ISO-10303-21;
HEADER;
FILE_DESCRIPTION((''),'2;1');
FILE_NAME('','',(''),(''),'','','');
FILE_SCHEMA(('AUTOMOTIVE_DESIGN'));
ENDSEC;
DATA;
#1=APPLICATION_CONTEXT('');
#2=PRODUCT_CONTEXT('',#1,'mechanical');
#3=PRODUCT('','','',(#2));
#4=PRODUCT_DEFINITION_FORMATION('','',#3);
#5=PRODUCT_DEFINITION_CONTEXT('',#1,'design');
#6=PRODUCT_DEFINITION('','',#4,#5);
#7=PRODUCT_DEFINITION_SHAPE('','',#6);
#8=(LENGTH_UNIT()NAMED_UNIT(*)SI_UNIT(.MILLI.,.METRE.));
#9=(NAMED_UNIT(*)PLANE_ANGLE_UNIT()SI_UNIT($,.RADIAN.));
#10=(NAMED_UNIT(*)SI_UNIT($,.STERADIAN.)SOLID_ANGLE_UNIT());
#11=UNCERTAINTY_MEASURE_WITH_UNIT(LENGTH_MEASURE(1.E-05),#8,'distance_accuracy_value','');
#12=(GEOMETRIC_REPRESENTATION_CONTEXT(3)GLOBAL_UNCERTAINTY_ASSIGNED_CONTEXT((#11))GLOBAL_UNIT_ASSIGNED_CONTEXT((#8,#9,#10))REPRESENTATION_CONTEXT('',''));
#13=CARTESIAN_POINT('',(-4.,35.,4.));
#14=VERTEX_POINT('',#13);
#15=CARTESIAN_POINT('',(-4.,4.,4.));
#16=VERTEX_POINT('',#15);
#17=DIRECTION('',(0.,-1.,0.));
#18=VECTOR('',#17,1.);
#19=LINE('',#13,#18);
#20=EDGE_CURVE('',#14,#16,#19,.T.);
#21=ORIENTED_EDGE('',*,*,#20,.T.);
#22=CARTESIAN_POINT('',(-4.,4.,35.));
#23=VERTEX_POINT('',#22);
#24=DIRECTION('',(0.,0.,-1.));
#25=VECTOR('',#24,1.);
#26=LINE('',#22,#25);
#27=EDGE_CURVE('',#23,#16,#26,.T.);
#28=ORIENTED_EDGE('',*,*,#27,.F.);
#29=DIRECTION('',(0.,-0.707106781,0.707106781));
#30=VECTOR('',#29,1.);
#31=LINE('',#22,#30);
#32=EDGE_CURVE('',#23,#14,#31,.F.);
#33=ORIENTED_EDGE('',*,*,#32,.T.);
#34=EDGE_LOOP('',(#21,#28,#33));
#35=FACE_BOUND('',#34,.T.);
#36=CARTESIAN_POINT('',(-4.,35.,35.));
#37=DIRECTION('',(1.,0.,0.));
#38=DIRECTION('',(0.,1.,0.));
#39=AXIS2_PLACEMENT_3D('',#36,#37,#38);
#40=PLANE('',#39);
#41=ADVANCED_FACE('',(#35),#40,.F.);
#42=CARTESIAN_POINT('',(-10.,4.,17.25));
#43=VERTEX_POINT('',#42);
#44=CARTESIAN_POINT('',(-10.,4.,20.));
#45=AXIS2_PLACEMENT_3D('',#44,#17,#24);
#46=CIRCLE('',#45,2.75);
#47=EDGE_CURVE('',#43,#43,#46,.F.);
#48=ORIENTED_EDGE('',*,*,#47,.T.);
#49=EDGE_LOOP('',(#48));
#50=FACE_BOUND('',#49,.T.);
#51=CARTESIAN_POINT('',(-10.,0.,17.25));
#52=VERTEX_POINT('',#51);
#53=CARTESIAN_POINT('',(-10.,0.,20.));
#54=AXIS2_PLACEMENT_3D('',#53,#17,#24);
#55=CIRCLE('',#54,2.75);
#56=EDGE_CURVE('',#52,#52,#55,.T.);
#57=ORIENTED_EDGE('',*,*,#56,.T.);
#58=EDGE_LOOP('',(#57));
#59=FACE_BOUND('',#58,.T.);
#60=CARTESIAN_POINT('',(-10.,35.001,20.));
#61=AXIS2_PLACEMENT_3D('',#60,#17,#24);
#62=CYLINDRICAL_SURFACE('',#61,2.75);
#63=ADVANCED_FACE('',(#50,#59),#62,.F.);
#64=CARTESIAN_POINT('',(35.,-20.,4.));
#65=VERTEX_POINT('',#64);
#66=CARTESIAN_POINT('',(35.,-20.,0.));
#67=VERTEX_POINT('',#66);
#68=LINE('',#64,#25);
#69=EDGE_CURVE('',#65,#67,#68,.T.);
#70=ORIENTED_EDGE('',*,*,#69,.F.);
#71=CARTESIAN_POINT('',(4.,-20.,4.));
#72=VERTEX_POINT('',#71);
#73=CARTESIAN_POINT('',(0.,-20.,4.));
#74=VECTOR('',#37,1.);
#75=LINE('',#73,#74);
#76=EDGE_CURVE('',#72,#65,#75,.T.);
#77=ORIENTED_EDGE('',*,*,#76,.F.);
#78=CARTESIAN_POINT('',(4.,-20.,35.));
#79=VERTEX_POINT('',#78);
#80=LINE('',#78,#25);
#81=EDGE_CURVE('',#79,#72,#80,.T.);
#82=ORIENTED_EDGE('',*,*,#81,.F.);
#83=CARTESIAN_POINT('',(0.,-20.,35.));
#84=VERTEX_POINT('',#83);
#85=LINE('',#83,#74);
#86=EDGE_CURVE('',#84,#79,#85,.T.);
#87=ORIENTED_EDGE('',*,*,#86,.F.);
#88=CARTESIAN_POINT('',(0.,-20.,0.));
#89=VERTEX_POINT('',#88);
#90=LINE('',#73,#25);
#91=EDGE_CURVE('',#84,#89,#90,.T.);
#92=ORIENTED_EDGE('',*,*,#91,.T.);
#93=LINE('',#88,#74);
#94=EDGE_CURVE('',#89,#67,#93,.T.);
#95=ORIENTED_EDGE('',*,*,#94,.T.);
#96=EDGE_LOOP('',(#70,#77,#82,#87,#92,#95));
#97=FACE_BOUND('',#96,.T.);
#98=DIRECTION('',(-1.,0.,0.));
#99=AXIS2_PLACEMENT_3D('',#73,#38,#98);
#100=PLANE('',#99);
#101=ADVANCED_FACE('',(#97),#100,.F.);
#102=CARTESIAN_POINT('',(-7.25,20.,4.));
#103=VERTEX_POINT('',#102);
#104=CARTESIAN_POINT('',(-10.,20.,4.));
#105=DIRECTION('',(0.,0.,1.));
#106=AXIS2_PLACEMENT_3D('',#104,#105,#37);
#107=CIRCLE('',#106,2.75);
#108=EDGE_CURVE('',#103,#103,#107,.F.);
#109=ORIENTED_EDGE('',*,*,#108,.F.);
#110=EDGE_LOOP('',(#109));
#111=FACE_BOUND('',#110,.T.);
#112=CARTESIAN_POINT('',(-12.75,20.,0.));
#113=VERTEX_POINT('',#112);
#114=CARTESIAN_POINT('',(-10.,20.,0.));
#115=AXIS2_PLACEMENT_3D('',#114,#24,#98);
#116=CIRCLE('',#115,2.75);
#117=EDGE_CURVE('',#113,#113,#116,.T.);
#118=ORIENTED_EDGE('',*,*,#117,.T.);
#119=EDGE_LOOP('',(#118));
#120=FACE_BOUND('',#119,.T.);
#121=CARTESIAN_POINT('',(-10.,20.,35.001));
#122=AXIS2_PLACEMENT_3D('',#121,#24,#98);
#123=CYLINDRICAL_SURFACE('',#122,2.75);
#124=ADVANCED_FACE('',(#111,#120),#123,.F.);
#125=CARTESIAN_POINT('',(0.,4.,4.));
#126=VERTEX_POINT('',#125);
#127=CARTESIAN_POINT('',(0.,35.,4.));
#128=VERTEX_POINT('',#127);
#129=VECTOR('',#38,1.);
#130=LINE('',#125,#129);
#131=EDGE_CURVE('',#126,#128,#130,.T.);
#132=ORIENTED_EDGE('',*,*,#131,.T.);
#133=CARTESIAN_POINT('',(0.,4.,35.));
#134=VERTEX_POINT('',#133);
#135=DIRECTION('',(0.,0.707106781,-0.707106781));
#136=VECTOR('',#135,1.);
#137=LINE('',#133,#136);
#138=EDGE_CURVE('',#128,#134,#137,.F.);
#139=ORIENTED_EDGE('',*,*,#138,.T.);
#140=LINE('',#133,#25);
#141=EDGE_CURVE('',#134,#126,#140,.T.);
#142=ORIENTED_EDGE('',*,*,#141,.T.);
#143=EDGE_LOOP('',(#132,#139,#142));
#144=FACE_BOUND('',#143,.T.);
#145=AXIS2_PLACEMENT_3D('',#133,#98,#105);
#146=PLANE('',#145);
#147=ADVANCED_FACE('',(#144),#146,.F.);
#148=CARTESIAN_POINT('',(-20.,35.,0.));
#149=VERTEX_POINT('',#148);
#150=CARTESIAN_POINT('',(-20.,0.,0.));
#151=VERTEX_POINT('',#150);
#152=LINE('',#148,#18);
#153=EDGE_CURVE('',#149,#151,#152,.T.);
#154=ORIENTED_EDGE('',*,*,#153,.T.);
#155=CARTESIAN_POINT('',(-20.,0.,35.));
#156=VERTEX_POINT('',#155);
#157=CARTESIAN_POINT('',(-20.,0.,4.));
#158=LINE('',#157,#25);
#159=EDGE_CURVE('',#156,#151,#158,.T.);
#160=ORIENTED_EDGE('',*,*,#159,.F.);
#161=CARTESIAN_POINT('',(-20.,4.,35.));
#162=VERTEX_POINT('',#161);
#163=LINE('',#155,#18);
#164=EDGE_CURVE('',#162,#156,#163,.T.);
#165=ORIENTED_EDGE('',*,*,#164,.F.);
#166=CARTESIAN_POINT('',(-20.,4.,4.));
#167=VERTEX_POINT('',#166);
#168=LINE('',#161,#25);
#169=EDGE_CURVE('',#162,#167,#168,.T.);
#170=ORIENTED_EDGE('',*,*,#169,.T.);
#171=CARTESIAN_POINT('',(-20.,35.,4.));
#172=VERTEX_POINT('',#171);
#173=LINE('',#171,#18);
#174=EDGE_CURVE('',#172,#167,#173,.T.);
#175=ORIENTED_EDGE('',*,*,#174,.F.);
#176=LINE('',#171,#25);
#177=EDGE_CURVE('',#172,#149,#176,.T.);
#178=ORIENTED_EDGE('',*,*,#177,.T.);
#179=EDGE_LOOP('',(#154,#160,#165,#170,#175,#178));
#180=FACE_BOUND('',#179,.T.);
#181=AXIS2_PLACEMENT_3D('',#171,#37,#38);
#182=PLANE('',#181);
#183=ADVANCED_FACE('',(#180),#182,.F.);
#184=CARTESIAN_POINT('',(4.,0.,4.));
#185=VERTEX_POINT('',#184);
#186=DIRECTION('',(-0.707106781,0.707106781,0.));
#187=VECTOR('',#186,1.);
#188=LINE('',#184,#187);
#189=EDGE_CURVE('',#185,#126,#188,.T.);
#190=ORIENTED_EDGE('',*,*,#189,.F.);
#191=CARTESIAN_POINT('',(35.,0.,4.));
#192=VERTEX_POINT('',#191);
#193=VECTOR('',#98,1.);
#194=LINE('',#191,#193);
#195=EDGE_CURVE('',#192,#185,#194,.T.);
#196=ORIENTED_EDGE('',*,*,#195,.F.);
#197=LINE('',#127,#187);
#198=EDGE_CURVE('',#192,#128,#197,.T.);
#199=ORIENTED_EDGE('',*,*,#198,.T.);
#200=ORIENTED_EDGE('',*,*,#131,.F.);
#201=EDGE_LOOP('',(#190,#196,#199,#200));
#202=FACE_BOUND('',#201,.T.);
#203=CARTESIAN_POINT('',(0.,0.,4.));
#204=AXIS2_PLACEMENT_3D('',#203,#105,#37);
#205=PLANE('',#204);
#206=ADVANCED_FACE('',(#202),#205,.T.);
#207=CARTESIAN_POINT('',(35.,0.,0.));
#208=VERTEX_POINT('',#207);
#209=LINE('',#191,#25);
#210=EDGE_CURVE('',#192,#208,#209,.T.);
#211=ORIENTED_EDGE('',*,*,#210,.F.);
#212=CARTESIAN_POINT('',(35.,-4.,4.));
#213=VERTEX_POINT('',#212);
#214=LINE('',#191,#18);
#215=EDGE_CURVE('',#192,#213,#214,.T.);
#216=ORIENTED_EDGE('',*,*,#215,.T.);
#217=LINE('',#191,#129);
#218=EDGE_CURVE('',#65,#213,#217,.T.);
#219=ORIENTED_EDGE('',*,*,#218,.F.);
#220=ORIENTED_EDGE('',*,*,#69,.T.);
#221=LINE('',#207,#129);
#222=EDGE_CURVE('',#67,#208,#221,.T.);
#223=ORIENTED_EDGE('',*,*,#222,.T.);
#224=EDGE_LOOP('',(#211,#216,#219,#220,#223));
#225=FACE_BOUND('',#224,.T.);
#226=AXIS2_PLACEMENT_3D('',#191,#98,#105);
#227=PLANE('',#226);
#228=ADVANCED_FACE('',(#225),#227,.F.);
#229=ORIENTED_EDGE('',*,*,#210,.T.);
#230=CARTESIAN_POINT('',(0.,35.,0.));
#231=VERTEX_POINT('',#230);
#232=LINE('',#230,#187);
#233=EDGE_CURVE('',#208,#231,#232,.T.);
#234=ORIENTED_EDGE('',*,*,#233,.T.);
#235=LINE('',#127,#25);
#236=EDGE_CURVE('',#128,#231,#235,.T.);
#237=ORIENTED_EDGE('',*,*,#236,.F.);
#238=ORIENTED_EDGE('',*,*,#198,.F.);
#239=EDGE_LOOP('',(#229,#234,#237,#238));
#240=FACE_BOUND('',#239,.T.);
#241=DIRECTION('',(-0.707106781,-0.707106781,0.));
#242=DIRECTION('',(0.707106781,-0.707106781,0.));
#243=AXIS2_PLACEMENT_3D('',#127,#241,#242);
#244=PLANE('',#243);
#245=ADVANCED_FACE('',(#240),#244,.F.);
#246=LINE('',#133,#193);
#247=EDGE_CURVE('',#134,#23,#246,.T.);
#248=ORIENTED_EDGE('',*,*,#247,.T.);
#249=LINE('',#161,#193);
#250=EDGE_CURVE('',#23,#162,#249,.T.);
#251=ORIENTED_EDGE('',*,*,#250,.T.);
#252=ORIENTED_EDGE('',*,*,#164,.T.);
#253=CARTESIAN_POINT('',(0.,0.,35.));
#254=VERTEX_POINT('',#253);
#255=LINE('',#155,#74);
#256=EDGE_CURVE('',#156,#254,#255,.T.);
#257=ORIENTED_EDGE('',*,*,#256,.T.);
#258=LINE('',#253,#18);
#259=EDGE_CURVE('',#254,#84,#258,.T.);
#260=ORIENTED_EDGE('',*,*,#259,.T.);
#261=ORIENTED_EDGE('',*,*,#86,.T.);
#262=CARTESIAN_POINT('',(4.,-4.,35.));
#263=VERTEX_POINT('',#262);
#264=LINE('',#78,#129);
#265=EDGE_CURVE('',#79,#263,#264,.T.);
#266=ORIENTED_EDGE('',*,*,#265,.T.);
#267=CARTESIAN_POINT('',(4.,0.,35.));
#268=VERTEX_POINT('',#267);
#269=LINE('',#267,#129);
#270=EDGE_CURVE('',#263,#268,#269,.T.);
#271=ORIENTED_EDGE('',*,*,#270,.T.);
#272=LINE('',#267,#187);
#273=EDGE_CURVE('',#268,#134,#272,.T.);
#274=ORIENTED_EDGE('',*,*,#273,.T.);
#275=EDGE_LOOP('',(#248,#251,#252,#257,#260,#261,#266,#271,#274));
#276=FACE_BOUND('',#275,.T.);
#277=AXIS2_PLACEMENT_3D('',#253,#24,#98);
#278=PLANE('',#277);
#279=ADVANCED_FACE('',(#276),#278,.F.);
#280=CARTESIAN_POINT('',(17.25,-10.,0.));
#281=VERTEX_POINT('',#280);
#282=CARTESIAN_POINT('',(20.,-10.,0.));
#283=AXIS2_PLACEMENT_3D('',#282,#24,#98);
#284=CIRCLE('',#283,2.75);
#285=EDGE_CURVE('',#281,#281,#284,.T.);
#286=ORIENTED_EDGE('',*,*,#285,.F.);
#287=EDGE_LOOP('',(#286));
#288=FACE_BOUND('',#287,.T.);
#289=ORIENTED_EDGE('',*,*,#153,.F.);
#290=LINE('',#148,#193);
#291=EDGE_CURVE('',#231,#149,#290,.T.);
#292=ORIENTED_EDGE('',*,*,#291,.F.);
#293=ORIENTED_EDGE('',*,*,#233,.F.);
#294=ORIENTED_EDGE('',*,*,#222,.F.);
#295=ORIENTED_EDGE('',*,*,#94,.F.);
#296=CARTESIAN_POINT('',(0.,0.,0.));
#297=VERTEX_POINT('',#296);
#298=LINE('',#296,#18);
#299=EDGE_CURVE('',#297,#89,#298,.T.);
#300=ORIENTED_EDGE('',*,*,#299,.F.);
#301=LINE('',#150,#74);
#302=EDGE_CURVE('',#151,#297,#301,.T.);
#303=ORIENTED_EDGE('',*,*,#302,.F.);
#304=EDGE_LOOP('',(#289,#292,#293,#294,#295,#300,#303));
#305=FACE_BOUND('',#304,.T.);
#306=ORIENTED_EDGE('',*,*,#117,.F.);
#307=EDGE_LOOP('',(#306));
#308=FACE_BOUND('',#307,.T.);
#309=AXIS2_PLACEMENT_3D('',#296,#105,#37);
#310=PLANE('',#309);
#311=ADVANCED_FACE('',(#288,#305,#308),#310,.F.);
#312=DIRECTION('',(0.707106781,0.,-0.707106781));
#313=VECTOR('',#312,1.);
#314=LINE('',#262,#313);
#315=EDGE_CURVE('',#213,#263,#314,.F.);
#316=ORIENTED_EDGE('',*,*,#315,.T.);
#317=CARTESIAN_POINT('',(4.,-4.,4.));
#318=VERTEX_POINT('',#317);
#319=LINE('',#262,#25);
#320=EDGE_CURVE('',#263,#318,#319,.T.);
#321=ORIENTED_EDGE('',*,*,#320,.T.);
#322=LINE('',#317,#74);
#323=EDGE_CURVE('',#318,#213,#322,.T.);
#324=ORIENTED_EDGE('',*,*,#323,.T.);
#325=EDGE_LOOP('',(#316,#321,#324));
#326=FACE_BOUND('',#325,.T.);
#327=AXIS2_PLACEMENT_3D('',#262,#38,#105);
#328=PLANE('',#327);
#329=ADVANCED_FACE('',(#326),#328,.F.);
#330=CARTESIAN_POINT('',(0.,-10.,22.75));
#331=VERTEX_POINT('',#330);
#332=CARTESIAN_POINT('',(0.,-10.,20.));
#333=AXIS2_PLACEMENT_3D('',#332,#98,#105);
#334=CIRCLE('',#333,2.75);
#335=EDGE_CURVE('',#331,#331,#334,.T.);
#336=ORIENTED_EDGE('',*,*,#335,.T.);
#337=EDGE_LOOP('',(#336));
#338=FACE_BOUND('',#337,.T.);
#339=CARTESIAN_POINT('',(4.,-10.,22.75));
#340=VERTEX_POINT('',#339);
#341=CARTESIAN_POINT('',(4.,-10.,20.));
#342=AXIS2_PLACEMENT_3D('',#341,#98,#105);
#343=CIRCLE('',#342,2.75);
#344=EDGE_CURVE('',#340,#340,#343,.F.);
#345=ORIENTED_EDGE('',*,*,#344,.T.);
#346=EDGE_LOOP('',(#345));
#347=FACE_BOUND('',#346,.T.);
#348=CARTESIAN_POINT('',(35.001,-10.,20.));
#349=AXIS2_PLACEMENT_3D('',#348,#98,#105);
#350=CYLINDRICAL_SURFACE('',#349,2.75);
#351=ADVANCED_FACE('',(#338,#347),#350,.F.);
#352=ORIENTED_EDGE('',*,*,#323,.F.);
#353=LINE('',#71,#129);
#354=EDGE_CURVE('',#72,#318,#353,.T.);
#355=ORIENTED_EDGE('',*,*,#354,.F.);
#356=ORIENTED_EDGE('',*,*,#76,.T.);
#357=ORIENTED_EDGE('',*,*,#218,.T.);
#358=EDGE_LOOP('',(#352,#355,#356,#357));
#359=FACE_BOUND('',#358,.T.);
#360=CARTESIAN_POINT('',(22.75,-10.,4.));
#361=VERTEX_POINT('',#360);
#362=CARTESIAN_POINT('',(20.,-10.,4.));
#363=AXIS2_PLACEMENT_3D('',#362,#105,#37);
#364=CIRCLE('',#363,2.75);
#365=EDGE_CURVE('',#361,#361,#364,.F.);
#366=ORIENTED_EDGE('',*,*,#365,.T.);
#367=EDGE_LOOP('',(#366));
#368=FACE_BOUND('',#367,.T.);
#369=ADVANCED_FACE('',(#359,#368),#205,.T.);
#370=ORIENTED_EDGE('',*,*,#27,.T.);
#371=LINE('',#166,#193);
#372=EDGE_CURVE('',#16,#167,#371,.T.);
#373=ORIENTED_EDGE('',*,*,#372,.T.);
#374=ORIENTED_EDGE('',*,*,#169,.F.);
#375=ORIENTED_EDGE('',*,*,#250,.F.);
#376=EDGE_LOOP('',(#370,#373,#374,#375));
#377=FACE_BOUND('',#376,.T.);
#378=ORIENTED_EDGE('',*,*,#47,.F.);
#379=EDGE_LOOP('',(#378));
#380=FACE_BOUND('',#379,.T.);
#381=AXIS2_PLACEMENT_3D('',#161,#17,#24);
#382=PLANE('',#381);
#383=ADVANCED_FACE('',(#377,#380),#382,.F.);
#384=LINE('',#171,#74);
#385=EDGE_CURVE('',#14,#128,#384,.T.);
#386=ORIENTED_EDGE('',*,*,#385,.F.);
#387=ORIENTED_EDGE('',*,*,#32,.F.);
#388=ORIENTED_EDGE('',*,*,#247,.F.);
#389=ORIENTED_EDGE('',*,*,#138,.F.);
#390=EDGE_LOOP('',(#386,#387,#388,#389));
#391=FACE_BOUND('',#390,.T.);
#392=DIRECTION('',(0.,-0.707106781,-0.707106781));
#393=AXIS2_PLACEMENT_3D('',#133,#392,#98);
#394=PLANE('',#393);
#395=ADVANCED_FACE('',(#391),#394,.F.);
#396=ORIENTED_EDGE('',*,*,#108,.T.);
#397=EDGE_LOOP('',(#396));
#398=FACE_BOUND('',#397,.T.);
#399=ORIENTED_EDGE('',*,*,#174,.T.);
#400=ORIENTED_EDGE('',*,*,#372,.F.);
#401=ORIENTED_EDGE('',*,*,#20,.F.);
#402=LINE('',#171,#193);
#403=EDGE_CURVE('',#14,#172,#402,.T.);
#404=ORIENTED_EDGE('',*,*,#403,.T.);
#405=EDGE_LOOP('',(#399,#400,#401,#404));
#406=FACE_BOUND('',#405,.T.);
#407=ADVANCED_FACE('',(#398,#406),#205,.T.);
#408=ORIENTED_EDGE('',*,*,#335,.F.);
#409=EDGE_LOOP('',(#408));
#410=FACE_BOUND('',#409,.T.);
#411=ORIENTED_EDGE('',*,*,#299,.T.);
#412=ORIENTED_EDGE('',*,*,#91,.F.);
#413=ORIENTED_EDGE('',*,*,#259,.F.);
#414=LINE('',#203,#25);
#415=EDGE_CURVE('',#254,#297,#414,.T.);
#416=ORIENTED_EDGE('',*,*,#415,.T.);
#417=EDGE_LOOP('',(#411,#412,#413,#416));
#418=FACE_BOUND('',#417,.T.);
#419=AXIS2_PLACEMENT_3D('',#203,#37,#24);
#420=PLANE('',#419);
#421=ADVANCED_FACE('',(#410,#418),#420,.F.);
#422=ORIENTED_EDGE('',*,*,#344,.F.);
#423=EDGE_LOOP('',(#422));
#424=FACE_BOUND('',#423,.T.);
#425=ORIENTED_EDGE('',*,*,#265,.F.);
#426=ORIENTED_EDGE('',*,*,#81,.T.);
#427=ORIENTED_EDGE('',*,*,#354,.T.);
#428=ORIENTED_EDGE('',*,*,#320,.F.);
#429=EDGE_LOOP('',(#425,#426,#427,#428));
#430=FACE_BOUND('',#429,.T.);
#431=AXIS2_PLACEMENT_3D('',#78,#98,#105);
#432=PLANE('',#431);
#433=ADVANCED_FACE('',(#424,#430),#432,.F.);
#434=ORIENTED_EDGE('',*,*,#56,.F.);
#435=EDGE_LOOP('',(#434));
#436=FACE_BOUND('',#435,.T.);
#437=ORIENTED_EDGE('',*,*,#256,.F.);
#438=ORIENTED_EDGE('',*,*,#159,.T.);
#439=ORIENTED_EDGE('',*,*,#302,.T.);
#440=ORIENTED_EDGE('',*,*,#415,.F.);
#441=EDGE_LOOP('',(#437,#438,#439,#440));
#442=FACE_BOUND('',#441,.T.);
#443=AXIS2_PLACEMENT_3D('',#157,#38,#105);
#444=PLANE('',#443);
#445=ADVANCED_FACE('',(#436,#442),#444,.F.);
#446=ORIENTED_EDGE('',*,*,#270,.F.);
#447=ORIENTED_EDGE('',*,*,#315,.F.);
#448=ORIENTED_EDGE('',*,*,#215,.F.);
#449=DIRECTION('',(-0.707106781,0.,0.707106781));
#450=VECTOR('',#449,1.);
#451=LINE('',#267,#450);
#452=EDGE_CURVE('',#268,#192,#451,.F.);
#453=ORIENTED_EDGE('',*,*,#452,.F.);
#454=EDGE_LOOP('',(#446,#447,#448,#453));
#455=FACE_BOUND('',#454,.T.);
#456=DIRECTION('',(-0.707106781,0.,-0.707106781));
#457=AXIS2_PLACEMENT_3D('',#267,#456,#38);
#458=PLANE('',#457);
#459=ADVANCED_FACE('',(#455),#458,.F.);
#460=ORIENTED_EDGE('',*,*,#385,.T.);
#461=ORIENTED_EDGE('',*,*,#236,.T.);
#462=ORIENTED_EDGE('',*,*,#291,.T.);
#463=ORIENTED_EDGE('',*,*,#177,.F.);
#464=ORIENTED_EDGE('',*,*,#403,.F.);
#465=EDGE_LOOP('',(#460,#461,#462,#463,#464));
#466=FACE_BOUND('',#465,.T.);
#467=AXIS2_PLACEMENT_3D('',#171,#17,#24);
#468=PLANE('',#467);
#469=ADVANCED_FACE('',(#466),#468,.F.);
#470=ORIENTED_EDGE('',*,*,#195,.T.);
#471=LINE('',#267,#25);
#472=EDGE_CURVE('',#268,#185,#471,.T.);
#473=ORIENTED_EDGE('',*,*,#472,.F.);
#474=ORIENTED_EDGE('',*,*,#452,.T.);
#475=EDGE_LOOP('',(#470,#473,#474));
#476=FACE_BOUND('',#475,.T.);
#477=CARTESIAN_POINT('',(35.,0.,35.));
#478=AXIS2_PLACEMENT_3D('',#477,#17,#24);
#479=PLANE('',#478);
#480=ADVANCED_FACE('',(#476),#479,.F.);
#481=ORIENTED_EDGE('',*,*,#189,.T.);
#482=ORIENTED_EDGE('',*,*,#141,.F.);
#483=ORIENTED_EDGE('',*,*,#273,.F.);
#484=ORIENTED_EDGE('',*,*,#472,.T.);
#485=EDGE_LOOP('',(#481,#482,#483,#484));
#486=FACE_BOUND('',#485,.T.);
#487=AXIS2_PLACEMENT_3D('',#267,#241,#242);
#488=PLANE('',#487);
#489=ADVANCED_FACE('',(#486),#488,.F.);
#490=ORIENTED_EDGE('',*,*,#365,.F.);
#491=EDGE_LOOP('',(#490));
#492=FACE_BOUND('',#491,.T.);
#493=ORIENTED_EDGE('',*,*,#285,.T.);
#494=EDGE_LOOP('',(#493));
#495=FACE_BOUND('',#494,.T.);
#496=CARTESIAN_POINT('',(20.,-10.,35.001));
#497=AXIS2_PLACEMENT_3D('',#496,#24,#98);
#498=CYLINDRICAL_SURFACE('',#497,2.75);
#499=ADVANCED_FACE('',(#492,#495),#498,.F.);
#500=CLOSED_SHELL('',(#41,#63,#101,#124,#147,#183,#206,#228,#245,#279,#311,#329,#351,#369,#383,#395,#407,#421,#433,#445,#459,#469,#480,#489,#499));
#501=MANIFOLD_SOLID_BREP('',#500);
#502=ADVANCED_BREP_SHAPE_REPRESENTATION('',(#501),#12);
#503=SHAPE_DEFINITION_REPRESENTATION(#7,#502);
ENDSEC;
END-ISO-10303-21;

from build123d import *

# Parameters (mm, degrees)
BOSS_EXTRUDE1_DEPTH = 4
BOSS_EXTRUDE2_DEPTH = 31
CHAMFER2_SIZE       = 31
CUT_EXTRUDE1_REACH  = 62.622
SKETCH3_R           = 2.75
CUT_EXTRUDE2_REACH  = 62.622
SKETCH4_R           = 2.75
CUT_EXTRUDE3_REACH  = 62.622
SKETCH5_R           = 2.75


with BuildPart() as part:
    # Sketch1 → Boss-Extrude1 (new body)
    with BuildSketch(Plane.XY):
        Polygon((0, 35), (35, 0), (35, -20), (0, -20), (0, 0), (-20, 0), (-20, 35), align=None)
    extrude(amount=BOSS_EXTRUDE1_DEPTH)

    # Sketch2 → Boss-Extrude2 (add)
    with BuildSketch(Plane.XY.offset(4)):
        Polygon((-20, 0), (0, 0), (0, -20), (4, -20), (4, -4), (35, -4), (35, 0), (4, 0), (0, 4), (0, 35), (-4, 35), (-4, 4), (-20, 4), align=None)
    extrude(amount=BOSS_EXTRUDE2_DEPTH)

    # Chamfer2
    chamfer2_edges = [part.edges().sort_by_distance(p)[0] for p in [
        (-2, 35, 35),
        (35, -2, 35),
    ]]
    chamfer(chamfer2_edges, length=CHAMFER2_SIZE)

    # Sketch3 → Cut-Extrude1 (cut, up to next)
    with BuildSketch(Plane(origin=(0, 0, 0), x_dir=(-1, 0, 0), z_dir=(0, 0, -1)), mode=Mode.PRIVATE) as cut_extrude1_sk1:
        with Locations((10, 20)):
            Circle(SKETCH3_R)
    cut_extrude1_tool1 = extrude(cut_extrude1_sk1.sketch, amount=-CUT_EXTRUDE1_REACH, mode=Mode.PRIVATE) & part.part
    # Sketch3 → Cut-Extrude1 (cut, up to next)
    with BuildSketch(Plane(origin=(0, 0, 0), x_dir=(-1, 0, 0), z_dir=(0, 0, -1)), mode=Mode.PRIVATE) as cut_extrude1_sk2:
        with Locations((-20, -10)):
            Circle(SKETCH3_R)
    cut_extrude1_tool2 = extrude(cut_extrude1_sk2.sketch, amount=-CUT_EXTRUDE1_REACH, mode=Mode.PRIVATE) & part.part
    add(cut_extrude1_tool1.solids().sort_by_distance((-10, 20, 0))[0], mode=Mode.SUBTRACT)
    add(cut_extrude1_tool2.solids().sort_by_distance((20, -10, 0))[0], mode=Mode.SUBTRACT)

    # Sketch4 → Cut-Extrude2 (cut, up to next)
    with BuildSketch(Plane.XZ, mode=Mode.PRIVATE) as cut_extrude2_sk1:
        with Locations(Location((-10, 20, 0), (0, 0, 270))):
            Circle(SKETCH4_R)
    cut_extrude2_tool1 = extrude(cut_extrude2_sk1.sketch, amount=-CUT_EXTRUDE2_REACH, mode=Mode.PRIVATE) & part.part
    add(cut_extrude2_tool1.solids().sort_by_distance((-10, 0, 20))[0], mode=Mode.SUBTRACT)

    # Sketch5 → Cut-Extrude3 (cut, up to next)
    with BuildSketch(Plane.ZY, mode=Mode.PRIVATE) as cut_extrude3_sk1:
        with Locations((20, -10)):
            Circle(SKETCH5_R)
    cut_extrude3_tool1 = extrude(cut_extrude3_sk1.sketch, amount=-CUT_EXTRUDE3_REACH, mode=Mode.PRIVATE) & part.part
    add(cut_extrude3_tool1.solids().sort_by_distance((0, -10, 20))[0], mode=Mode.SUBTRACT)


solid = part.part
